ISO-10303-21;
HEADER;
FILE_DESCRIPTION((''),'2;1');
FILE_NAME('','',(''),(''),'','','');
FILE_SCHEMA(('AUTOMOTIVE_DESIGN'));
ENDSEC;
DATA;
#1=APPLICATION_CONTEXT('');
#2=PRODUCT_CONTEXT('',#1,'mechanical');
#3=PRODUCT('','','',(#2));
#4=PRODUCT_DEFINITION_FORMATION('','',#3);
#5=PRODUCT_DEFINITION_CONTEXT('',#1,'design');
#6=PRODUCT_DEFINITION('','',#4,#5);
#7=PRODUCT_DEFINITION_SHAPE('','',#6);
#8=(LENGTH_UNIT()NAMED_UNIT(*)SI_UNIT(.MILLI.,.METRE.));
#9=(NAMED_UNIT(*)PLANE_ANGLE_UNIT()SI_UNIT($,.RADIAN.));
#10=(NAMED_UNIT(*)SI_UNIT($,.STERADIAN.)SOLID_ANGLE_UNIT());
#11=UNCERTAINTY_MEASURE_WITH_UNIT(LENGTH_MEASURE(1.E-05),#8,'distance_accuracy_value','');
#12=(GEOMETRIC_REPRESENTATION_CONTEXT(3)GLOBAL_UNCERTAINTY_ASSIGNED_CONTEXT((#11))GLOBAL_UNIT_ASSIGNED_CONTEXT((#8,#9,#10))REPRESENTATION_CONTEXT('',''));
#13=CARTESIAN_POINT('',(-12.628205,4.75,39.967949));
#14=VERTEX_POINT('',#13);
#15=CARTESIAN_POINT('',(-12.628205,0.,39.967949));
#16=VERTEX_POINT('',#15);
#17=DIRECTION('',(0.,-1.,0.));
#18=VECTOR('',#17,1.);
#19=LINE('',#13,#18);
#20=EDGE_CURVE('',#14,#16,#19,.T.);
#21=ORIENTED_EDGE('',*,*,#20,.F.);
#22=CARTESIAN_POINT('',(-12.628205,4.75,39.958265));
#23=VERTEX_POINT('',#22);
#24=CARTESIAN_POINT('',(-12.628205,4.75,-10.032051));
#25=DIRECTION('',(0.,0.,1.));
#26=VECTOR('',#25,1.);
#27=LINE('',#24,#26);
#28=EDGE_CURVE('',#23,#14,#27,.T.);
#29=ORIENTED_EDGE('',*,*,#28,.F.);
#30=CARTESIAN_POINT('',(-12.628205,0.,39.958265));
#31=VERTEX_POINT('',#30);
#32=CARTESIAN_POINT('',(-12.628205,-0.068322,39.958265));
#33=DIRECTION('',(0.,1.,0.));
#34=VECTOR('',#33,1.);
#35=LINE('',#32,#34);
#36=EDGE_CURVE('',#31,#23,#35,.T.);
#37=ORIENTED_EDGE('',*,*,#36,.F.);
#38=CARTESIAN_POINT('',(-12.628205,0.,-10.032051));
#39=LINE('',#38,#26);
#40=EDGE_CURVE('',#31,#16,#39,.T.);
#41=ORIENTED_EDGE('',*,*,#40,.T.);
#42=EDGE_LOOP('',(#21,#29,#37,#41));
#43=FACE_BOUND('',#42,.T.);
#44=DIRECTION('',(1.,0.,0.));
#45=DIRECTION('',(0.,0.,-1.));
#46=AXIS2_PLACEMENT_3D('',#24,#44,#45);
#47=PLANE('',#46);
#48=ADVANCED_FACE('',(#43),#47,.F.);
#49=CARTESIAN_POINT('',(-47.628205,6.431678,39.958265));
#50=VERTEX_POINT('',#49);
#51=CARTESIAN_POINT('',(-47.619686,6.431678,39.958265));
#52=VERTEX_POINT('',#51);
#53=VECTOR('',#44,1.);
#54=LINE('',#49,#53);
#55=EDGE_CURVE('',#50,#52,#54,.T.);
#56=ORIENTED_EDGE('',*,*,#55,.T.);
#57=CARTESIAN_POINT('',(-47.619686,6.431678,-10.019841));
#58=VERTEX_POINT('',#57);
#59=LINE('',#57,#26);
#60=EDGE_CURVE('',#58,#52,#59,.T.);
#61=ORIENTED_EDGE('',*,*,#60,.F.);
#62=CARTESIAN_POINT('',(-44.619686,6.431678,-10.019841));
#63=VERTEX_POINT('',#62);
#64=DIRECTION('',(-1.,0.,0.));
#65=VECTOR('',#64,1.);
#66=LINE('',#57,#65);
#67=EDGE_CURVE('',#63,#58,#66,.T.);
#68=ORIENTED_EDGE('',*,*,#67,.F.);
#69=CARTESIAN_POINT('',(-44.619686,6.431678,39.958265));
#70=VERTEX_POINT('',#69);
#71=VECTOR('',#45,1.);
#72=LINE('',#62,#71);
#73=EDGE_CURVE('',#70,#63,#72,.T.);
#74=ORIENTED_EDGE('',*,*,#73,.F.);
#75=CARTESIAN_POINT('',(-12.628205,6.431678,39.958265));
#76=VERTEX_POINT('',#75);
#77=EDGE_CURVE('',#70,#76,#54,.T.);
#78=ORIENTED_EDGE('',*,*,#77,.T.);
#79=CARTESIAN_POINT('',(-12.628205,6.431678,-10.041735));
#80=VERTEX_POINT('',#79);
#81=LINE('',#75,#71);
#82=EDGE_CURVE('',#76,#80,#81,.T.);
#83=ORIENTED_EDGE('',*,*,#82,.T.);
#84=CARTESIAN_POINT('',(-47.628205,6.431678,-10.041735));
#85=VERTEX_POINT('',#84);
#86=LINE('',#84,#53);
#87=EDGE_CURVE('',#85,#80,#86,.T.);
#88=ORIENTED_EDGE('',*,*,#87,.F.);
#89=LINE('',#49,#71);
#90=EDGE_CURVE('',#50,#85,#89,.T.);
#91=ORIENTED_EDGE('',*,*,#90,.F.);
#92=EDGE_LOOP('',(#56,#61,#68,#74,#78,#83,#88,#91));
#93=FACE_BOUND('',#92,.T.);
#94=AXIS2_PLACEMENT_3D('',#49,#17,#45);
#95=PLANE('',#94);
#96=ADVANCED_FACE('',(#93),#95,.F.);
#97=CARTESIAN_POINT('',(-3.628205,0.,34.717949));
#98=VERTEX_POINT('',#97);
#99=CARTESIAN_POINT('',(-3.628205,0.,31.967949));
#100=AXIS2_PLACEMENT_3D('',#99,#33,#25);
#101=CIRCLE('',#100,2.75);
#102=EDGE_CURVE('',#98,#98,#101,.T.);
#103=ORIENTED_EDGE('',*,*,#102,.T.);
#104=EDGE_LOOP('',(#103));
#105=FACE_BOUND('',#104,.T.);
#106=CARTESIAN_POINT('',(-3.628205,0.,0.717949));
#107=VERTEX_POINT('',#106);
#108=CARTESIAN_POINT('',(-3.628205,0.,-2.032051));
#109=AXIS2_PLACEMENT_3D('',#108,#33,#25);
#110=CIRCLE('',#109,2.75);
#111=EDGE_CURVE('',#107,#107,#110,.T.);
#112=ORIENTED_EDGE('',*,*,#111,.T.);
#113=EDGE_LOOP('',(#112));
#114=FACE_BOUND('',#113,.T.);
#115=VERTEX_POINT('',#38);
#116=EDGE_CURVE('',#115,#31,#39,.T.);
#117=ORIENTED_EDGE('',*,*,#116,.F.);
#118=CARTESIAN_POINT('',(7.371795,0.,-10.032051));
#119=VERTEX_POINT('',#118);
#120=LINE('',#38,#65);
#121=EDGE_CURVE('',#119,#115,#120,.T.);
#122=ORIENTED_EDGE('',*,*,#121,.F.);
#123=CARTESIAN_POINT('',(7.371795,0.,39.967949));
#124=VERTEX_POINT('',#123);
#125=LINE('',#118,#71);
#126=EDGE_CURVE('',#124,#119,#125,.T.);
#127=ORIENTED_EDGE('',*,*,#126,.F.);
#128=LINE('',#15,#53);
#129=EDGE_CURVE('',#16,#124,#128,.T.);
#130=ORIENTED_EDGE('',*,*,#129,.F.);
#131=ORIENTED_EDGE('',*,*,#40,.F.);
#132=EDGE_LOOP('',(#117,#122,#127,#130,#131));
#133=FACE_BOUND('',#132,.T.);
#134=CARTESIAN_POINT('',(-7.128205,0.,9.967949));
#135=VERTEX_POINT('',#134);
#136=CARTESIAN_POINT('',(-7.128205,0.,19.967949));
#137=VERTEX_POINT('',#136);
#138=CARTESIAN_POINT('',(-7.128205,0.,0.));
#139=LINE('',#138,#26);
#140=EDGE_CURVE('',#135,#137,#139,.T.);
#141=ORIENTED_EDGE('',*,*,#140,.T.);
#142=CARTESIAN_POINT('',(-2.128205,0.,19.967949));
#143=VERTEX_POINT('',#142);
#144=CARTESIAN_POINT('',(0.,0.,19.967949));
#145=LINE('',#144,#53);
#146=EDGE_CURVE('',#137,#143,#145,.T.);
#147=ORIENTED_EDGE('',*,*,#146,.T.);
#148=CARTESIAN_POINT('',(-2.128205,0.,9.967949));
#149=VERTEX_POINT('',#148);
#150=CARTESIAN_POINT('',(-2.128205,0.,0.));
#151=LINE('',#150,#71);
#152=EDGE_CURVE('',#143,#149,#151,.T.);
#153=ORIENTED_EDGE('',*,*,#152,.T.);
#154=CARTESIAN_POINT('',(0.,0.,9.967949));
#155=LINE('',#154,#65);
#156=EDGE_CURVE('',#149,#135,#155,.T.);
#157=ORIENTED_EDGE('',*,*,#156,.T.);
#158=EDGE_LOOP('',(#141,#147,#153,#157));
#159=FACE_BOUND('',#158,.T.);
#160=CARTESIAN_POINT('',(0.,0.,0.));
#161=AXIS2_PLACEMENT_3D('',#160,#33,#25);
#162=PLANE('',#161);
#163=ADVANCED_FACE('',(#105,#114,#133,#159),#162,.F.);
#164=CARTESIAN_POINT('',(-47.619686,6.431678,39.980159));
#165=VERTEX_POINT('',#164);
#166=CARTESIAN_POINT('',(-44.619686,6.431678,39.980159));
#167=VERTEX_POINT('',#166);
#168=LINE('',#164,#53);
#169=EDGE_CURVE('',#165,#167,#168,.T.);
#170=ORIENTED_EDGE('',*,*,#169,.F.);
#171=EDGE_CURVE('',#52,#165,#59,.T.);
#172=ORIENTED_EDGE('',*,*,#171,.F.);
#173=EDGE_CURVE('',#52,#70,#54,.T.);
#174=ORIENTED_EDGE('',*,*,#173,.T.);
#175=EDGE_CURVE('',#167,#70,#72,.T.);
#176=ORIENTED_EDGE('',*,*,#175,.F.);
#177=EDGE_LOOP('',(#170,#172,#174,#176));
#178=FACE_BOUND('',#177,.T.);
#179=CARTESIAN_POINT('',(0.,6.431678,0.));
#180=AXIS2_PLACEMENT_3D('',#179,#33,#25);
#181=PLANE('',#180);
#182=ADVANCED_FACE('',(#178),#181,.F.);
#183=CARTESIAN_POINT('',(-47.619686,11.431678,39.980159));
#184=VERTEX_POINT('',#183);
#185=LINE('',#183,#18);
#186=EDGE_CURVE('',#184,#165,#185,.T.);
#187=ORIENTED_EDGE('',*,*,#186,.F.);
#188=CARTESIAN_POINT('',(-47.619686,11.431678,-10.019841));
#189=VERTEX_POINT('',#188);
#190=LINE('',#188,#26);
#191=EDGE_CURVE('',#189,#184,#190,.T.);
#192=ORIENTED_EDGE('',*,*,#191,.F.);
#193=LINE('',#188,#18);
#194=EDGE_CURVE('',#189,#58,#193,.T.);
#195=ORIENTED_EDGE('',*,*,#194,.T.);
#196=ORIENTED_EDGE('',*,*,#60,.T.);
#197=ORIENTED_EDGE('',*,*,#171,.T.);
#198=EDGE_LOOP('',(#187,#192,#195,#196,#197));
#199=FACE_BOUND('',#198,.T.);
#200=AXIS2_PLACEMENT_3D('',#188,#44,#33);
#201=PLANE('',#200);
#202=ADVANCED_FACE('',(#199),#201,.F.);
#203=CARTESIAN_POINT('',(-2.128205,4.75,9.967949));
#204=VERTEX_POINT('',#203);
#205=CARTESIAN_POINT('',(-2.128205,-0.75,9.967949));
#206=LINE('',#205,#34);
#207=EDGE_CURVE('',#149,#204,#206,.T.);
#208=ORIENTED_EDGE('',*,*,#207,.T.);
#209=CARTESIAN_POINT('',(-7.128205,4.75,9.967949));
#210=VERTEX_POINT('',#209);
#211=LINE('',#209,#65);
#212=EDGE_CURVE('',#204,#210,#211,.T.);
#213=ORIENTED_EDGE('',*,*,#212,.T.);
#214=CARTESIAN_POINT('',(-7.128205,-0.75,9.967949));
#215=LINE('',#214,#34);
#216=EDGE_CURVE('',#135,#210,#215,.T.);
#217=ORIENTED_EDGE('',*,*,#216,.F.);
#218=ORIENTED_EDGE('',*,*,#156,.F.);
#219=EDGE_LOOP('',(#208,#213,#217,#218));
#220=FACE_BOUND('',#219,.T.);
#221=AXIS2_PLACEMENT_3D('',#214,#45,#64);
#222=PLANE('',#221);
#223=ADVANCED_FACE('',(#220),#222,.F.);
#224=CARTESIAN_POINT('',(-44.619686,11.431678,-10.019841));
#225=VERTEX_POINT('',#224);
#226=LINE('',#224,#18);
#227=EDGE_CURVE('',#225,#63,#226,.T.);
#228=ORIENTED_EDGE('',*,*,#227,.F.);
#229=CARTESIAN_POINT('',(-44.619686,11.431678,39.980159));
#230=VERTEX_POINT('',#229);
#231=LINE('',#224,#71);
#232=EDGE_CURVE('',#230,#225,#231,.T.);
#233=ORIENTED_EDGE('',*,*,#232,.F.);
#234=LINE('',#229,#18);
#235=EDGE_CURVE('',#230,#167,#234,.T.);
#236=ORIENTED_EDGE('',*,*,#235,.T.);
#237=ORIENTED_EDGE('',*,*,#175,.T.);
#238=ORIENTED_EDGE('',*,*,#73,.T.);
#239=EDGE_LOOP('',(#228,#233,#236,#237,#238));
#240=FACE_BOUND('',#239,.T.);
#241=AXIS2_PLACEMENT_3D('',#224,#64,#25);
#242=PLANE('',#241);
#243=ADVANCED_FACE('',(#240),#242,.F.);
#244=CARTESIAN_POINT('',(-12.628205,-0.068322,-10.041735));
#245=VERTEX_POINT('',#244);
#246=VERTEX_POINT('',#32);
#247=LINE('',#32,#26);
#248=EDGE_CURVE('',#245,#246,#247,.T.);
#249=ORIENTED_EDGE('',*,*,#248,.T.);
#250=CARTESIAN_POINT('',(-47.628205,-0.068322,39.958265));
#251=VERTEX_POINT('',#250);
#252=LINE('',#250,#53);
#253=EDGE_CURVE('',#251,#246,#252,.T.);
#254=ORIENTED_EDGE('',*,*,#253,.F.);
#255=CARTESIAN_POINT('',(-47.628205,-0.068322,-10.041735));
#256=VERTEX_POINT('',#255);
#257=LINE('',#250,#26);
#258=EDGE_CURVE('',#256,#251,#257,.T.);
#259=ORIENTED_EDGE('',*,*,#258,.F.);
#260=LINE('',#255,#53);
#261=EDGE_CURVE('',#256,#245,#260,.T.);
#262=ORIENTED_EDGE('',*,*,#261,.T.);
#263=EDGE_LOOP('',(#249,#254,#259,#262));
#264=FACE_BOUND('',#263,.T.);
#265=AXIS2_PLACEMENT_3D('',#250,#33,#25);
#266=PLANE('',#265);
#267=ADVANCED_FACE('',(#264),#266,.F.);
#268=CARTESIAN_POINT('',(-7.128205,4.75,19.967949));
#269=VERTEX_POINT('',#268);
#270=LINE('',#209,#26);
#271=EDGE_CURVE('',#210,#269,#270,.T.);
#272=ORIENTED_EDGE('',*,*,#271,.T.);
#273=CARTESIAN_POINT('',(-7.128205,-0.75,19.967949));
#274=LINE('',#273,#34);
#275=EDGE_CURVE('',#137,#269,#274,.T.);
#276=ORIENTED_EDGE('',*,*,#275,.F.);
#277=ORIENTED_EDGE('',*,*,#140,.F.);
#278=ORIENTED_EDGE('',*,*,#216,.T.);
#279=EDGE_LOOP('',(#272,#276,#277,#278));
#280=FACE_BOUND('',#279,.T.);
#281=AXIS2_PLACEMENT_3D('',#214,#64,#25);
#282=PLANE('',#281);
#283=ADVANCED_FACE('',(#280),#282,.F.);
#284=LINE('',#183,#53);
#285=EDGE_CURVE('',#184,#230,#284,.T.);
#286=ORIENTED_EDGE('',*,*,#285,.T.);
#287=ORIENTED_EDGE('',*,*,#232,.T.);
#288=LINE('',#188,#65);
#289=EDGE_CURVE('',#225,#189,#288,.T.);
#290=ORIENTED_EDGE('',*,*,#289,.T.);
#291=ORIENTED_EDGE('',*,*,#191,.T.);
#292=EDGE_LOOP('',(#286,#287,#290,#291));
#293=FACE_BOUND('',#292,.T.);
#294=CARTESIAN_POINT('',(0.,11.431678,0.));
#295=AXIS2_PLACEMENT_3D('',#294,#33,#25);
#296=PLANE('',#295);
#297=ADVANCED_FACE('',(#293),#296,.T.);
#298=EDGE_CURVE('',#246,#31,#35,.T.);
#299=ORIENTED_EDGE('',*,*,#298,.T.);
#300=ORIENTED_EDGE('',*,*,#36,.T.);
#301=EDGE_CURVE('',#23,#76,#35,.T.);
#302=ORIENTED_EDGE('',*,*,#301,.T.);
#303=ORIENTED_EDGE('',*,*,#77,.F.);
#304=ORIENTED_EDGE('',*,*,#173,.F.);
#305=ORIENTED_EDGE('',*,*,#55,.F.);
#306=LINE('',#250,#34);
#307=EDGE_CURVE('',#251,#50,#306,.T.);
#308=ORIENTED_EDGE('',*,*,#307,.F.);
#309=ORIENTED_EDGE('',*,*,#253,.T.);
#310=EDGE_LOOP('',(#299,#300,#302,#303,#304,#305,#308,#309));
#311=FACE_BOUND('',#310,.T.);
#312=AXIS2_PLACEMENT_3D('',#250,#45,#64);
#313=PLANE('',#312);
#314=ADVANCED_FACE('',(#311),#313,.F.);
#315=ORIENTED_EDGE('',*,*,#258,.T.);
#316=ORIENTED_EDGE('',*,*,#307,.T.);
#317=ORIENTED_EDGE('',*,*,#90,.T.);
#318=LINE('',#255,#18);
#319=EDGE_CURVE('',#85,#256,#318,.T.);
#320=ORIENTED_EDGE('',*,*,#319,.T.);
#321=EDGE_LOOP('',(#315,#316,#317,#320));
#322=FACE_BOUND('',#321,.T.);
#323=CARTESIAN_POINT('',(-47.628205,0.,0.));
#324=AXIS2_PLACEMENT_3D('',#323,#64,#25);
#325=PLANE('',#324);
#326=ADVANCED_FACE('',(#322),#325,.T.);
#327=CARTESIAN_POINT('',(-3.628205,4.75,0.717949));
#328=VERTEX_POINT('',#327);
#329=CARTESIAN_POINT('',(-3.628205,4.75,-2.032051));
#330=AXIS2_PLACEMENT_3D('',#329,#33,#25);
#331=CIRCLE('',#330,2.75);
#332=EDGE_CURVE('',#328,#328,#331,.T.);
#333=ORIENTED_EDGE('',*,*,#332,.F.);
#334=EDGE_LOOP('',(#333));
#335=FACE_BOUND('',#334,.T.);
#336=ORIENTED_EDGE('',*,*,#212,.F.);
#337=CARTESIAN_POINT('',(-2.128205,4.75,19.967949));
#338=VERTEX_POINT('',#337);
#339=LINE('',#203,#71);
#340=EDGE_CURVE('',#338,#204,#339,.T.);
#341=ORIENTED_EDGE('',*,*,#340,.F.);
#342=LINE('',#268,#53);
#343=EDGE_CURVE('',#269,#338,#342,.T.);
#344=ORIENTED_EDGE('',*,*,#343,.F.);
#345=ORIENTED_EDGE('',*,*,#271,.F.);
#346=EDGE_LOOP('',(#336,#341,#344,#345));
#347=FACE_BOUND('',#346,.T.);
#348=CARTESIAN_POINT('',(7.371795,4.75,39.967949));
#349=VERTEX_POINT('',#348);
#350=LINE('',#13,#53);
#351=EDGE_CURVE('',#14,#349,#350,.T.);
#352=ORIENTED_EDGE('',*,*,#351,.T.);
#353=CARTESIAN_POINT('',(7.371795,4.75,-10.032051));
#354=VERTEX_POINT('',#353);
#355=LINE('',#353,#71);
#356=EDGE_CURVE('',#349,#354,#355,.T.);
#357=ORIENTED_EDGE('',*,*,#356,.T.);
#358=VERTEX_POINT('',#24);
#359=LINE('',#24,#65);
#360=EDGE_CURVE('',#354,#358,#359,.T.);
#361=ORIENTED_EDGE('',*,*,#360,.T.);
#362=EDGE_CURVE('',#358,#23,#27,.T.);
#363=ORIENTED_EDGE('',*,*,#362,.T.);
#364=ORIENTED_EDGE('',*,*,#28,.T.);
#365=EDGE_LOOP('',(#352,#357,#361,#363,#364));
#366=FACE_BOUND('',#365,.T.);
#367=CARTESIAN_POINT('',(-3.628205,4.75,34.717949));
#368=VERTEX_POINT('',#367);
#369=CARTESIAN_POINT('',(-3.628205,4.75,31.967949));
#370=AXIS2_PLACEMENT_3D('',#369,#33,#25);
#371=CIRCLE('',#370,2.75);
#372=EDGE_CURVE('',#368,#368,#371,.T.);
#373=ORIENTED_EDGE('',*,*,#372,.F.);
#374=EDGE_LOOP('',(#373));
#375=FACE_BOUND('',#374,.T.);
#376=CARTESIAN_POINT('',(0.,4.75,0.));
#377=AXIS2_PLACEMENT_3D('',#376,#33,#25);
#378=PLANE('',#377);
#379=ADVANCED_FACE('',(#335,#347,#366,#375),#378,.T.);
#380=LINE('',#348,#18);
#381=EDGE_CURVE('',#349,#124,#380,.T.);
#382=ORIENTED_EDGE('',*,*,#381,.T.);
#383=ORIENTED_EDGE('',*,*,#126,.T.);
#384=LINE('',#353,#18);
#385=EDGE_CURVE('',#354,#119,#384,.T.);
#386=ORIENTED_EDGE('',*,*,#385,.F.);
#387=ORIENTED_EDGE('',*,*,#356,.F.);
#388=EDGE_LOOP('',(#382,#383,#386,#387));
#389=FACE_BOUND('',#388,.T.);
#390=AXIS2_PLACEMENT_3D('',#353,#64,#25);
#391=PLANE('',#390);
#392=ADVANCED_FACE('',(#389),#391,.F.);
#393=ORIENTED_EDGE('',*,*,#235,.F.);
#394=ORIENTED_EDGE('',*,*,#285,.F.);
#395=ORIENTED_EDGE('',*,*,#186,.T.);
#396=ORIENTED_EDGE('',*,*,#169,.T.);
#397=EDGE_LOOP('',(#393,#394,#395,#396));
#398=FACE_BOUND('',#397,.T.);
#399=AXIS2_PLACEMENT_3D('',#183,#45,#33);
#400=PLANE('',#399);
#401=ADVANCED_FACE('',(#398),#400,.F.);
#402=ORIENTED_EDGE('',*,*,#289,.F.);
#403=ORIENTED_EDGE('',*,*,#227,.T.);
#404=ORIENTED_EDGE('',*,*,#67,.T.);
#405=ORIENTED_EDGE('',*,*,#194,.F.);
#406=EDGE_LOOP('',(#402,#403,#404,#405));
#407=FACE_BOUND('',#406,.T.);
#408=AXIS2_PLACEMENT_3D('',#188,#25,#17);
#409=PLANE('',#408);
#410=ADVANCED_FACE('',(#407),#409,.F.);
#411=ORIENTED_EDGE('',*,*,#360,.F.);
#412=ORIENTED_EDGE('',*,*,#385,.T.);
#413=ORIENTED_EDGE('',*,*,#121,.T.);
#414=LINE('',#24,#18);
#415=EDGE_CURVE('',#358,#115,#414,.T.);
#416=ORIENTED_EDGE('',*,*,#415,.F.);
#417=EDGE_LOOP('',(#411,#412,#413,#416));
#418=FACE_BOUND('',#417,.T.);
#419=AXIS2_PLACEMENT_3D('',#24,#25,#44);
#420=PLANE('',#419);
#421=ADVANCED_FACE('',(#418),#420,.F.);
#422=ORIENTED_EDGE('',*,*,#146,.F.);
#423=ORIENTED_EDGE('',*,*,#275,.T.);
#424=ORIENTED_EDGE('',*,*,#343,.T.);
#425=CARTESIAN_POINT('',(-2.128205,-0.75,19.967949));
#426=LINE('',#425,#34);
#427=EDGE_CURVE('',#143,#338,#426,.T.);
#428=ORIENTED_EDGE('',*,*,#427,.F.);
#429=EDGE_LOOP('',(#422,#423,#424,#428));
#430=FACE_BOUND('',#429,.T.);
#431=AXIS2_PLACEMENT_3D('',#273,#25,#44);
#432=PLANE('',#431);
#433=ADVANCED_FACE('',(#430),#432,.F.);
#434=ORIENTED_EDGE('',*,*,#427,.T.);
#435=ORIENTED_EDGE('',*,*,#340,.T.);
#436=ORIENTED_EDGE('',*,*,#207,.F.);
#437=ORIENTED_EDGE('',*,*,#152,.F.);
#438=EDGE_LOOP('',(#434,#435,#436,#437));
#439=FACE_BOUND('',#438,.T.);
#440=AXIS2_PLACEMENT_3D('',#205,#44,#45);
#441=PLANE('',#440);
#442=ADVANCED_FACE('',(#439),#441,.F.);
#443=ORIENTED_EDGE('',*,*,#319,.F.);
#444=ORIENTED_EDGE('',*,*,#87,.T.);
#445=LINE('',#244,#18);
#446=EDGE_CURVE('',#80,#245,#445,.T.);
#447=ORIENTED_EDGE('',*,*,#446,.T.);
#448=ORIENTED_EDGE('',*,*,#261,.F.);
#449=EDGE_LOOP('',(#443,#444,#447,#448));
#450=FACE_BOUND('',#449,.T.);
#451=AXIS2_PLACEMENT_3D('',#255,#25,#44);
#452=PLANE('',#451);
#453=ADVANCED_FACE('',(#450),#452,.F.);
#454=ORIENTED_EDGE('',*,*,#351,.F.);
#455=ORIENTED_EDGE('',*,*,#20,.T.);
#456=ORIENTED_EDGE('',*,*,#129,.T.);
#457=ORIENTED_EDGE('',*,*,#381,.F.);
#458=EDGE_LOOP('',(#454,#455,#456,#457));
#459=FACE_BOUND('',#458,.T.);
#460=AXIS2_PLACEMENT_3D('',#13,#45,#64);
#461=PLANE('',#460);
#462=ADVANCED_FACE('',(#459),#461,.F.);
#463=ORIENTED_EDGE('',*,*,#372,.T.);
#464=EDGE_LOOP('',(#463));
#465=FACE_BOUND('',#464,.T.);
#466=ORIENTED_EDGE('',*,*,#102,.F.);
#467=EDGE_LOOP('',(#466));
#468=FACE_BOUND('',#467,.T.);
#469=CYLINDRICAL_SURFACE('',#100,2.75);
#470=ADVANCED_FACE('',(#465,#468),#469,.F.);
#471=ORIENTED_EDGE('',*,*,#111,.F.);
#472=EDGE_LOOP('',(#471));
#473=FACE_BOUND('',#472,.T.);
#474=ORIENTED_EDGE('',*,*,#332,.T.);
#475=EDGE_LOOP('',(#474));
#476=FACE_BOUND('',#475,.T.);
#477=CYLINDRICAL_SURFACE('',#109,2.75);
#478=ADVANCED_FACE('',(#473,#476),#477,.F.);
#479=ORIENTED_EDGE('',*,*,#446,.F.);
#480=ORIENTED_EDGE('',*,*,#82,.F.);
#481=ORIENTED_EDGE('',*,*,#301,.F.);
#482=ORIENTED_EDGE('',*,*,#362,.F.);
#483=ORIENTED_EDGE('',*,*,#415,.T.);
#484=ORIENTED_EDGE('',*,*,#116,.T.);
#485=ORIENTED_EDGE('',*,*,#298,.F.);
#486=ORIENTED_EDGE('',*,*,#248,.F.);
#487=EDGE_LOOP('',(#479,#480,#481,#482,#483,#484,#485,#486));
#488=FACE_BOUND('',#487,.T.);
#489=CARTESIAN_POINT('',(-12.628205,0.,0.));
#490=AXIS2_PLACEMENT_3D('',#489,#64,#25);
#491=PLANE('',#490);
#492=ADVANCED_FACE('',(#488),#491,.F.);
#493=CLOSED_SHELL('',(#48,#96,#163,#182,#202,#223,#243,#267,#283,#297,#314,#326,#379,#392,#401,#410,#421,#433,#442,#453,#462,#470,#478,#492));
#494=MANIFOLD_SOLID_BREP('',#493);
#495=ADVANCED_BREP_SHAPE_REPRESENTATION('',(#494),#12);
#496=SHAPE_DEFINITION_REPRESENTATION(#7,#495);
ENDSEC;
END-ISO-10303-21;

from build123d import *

# Parameters (mm, degrees)
ESQUISSE2_W             = 20
ESQUISSE2_H             = 50
BOSS_EXTRU_1_DEPTH      = 4.75
ESQUISSE3_R             = 2.75
ENL_V_MAT_EXTRU_1_DEPTH = 43.183776378
ESQUISSE6_W             = 50
ESQUISSE6_H             = 6.5
BOSS_EXTRU_2_DEPTH      = 35
ESQUISSE7_W             = 3
ESQUISSE7_H             = 50
BOSS_EXTRU_3_DEPTH      = 5
ESQUISSE8_W             = 5
ESQUISSE8_H             = 10
ENL_V_MAT_EXTRU_2_DEPTH = 5.5


with BuildPart() as part:
    # Esquisse2 → Boss.-Extru.1 (new body)
    with BuildSketch(Plane(origin=(0, 0, 0), x_dir=(1, 0, 0), z_dir=(0, 1, 0))):
        with Locations((-2.628205128, -14.967948718)):
            Rectangle(ESQUISSE2_W, ESQUISSE2_H)
    extrude(amount=BOSS_EXTRU_1_DEPTH)

    # Esquisse3 → Enlèv. mat.-Extru.1 (cut, through all)
    with BuildSketch(Plane(origin=(0, 4.75, 0), x_dir=(1, 0, 0), z_dir=(0, 1, 0))):
        with Locations(Location((-3.628205128, 2.032051282, 0), (0, 0, 270))):
            Circle(ESQUISSE3_R)
        with Locations(Location((-3.628205128, -31.967948718, 0), (0, 0, 270))):
            Circle(ESQUISSE3_R)
    extrude(amount=-ENL_V_MAT_EXTRU_1_DEPTH, mode=Mode.SUBTRACT)

    # Esquisse6 → Boss.-Extru.2 (add)
    with BuildSketch(Plane.ZY.offset(12.628205128)):
        with Locations((14.958265228, 3.181677952)):
            Rectangle(ESQUISSE6_W, ESQUISSE6_H)
    extrude(amount=BOSS_EXTRU_2_DEPTH)

    # Esquisse7 → Boss.-Extru.3 (add)
    with BuildSketch(Plane(origin=(0, 6.431677952, 0), x_dir=(1, 0, 0), z_dir=(0, 1, 0))):
        with Locations((-46.119685934, -14.980159327)):
            Rectangle(ESQUISSE7_W, ESQUISSE7_H)
    extrude(amount=BOSS_EXTRU_3_DEPTH)

    # Esquisse8 → Enlèv. mat.-Extru.2 (cut)
    with BuildSketch(Plane(origin=(0, 4.75, 0), x_dir=(1, 0, 0), z_dir=(0, 1, 0))):
        with Locations((-4.628205128, -14.967948718)):
            Rectangle(ESQUISSE8_W, ESQUISSE8_H)
    extrude(amount=-ENL_V_MAT_EXTRU_2_DEPTH, mode=Mode.SUBTRACT)


solid = part.part
